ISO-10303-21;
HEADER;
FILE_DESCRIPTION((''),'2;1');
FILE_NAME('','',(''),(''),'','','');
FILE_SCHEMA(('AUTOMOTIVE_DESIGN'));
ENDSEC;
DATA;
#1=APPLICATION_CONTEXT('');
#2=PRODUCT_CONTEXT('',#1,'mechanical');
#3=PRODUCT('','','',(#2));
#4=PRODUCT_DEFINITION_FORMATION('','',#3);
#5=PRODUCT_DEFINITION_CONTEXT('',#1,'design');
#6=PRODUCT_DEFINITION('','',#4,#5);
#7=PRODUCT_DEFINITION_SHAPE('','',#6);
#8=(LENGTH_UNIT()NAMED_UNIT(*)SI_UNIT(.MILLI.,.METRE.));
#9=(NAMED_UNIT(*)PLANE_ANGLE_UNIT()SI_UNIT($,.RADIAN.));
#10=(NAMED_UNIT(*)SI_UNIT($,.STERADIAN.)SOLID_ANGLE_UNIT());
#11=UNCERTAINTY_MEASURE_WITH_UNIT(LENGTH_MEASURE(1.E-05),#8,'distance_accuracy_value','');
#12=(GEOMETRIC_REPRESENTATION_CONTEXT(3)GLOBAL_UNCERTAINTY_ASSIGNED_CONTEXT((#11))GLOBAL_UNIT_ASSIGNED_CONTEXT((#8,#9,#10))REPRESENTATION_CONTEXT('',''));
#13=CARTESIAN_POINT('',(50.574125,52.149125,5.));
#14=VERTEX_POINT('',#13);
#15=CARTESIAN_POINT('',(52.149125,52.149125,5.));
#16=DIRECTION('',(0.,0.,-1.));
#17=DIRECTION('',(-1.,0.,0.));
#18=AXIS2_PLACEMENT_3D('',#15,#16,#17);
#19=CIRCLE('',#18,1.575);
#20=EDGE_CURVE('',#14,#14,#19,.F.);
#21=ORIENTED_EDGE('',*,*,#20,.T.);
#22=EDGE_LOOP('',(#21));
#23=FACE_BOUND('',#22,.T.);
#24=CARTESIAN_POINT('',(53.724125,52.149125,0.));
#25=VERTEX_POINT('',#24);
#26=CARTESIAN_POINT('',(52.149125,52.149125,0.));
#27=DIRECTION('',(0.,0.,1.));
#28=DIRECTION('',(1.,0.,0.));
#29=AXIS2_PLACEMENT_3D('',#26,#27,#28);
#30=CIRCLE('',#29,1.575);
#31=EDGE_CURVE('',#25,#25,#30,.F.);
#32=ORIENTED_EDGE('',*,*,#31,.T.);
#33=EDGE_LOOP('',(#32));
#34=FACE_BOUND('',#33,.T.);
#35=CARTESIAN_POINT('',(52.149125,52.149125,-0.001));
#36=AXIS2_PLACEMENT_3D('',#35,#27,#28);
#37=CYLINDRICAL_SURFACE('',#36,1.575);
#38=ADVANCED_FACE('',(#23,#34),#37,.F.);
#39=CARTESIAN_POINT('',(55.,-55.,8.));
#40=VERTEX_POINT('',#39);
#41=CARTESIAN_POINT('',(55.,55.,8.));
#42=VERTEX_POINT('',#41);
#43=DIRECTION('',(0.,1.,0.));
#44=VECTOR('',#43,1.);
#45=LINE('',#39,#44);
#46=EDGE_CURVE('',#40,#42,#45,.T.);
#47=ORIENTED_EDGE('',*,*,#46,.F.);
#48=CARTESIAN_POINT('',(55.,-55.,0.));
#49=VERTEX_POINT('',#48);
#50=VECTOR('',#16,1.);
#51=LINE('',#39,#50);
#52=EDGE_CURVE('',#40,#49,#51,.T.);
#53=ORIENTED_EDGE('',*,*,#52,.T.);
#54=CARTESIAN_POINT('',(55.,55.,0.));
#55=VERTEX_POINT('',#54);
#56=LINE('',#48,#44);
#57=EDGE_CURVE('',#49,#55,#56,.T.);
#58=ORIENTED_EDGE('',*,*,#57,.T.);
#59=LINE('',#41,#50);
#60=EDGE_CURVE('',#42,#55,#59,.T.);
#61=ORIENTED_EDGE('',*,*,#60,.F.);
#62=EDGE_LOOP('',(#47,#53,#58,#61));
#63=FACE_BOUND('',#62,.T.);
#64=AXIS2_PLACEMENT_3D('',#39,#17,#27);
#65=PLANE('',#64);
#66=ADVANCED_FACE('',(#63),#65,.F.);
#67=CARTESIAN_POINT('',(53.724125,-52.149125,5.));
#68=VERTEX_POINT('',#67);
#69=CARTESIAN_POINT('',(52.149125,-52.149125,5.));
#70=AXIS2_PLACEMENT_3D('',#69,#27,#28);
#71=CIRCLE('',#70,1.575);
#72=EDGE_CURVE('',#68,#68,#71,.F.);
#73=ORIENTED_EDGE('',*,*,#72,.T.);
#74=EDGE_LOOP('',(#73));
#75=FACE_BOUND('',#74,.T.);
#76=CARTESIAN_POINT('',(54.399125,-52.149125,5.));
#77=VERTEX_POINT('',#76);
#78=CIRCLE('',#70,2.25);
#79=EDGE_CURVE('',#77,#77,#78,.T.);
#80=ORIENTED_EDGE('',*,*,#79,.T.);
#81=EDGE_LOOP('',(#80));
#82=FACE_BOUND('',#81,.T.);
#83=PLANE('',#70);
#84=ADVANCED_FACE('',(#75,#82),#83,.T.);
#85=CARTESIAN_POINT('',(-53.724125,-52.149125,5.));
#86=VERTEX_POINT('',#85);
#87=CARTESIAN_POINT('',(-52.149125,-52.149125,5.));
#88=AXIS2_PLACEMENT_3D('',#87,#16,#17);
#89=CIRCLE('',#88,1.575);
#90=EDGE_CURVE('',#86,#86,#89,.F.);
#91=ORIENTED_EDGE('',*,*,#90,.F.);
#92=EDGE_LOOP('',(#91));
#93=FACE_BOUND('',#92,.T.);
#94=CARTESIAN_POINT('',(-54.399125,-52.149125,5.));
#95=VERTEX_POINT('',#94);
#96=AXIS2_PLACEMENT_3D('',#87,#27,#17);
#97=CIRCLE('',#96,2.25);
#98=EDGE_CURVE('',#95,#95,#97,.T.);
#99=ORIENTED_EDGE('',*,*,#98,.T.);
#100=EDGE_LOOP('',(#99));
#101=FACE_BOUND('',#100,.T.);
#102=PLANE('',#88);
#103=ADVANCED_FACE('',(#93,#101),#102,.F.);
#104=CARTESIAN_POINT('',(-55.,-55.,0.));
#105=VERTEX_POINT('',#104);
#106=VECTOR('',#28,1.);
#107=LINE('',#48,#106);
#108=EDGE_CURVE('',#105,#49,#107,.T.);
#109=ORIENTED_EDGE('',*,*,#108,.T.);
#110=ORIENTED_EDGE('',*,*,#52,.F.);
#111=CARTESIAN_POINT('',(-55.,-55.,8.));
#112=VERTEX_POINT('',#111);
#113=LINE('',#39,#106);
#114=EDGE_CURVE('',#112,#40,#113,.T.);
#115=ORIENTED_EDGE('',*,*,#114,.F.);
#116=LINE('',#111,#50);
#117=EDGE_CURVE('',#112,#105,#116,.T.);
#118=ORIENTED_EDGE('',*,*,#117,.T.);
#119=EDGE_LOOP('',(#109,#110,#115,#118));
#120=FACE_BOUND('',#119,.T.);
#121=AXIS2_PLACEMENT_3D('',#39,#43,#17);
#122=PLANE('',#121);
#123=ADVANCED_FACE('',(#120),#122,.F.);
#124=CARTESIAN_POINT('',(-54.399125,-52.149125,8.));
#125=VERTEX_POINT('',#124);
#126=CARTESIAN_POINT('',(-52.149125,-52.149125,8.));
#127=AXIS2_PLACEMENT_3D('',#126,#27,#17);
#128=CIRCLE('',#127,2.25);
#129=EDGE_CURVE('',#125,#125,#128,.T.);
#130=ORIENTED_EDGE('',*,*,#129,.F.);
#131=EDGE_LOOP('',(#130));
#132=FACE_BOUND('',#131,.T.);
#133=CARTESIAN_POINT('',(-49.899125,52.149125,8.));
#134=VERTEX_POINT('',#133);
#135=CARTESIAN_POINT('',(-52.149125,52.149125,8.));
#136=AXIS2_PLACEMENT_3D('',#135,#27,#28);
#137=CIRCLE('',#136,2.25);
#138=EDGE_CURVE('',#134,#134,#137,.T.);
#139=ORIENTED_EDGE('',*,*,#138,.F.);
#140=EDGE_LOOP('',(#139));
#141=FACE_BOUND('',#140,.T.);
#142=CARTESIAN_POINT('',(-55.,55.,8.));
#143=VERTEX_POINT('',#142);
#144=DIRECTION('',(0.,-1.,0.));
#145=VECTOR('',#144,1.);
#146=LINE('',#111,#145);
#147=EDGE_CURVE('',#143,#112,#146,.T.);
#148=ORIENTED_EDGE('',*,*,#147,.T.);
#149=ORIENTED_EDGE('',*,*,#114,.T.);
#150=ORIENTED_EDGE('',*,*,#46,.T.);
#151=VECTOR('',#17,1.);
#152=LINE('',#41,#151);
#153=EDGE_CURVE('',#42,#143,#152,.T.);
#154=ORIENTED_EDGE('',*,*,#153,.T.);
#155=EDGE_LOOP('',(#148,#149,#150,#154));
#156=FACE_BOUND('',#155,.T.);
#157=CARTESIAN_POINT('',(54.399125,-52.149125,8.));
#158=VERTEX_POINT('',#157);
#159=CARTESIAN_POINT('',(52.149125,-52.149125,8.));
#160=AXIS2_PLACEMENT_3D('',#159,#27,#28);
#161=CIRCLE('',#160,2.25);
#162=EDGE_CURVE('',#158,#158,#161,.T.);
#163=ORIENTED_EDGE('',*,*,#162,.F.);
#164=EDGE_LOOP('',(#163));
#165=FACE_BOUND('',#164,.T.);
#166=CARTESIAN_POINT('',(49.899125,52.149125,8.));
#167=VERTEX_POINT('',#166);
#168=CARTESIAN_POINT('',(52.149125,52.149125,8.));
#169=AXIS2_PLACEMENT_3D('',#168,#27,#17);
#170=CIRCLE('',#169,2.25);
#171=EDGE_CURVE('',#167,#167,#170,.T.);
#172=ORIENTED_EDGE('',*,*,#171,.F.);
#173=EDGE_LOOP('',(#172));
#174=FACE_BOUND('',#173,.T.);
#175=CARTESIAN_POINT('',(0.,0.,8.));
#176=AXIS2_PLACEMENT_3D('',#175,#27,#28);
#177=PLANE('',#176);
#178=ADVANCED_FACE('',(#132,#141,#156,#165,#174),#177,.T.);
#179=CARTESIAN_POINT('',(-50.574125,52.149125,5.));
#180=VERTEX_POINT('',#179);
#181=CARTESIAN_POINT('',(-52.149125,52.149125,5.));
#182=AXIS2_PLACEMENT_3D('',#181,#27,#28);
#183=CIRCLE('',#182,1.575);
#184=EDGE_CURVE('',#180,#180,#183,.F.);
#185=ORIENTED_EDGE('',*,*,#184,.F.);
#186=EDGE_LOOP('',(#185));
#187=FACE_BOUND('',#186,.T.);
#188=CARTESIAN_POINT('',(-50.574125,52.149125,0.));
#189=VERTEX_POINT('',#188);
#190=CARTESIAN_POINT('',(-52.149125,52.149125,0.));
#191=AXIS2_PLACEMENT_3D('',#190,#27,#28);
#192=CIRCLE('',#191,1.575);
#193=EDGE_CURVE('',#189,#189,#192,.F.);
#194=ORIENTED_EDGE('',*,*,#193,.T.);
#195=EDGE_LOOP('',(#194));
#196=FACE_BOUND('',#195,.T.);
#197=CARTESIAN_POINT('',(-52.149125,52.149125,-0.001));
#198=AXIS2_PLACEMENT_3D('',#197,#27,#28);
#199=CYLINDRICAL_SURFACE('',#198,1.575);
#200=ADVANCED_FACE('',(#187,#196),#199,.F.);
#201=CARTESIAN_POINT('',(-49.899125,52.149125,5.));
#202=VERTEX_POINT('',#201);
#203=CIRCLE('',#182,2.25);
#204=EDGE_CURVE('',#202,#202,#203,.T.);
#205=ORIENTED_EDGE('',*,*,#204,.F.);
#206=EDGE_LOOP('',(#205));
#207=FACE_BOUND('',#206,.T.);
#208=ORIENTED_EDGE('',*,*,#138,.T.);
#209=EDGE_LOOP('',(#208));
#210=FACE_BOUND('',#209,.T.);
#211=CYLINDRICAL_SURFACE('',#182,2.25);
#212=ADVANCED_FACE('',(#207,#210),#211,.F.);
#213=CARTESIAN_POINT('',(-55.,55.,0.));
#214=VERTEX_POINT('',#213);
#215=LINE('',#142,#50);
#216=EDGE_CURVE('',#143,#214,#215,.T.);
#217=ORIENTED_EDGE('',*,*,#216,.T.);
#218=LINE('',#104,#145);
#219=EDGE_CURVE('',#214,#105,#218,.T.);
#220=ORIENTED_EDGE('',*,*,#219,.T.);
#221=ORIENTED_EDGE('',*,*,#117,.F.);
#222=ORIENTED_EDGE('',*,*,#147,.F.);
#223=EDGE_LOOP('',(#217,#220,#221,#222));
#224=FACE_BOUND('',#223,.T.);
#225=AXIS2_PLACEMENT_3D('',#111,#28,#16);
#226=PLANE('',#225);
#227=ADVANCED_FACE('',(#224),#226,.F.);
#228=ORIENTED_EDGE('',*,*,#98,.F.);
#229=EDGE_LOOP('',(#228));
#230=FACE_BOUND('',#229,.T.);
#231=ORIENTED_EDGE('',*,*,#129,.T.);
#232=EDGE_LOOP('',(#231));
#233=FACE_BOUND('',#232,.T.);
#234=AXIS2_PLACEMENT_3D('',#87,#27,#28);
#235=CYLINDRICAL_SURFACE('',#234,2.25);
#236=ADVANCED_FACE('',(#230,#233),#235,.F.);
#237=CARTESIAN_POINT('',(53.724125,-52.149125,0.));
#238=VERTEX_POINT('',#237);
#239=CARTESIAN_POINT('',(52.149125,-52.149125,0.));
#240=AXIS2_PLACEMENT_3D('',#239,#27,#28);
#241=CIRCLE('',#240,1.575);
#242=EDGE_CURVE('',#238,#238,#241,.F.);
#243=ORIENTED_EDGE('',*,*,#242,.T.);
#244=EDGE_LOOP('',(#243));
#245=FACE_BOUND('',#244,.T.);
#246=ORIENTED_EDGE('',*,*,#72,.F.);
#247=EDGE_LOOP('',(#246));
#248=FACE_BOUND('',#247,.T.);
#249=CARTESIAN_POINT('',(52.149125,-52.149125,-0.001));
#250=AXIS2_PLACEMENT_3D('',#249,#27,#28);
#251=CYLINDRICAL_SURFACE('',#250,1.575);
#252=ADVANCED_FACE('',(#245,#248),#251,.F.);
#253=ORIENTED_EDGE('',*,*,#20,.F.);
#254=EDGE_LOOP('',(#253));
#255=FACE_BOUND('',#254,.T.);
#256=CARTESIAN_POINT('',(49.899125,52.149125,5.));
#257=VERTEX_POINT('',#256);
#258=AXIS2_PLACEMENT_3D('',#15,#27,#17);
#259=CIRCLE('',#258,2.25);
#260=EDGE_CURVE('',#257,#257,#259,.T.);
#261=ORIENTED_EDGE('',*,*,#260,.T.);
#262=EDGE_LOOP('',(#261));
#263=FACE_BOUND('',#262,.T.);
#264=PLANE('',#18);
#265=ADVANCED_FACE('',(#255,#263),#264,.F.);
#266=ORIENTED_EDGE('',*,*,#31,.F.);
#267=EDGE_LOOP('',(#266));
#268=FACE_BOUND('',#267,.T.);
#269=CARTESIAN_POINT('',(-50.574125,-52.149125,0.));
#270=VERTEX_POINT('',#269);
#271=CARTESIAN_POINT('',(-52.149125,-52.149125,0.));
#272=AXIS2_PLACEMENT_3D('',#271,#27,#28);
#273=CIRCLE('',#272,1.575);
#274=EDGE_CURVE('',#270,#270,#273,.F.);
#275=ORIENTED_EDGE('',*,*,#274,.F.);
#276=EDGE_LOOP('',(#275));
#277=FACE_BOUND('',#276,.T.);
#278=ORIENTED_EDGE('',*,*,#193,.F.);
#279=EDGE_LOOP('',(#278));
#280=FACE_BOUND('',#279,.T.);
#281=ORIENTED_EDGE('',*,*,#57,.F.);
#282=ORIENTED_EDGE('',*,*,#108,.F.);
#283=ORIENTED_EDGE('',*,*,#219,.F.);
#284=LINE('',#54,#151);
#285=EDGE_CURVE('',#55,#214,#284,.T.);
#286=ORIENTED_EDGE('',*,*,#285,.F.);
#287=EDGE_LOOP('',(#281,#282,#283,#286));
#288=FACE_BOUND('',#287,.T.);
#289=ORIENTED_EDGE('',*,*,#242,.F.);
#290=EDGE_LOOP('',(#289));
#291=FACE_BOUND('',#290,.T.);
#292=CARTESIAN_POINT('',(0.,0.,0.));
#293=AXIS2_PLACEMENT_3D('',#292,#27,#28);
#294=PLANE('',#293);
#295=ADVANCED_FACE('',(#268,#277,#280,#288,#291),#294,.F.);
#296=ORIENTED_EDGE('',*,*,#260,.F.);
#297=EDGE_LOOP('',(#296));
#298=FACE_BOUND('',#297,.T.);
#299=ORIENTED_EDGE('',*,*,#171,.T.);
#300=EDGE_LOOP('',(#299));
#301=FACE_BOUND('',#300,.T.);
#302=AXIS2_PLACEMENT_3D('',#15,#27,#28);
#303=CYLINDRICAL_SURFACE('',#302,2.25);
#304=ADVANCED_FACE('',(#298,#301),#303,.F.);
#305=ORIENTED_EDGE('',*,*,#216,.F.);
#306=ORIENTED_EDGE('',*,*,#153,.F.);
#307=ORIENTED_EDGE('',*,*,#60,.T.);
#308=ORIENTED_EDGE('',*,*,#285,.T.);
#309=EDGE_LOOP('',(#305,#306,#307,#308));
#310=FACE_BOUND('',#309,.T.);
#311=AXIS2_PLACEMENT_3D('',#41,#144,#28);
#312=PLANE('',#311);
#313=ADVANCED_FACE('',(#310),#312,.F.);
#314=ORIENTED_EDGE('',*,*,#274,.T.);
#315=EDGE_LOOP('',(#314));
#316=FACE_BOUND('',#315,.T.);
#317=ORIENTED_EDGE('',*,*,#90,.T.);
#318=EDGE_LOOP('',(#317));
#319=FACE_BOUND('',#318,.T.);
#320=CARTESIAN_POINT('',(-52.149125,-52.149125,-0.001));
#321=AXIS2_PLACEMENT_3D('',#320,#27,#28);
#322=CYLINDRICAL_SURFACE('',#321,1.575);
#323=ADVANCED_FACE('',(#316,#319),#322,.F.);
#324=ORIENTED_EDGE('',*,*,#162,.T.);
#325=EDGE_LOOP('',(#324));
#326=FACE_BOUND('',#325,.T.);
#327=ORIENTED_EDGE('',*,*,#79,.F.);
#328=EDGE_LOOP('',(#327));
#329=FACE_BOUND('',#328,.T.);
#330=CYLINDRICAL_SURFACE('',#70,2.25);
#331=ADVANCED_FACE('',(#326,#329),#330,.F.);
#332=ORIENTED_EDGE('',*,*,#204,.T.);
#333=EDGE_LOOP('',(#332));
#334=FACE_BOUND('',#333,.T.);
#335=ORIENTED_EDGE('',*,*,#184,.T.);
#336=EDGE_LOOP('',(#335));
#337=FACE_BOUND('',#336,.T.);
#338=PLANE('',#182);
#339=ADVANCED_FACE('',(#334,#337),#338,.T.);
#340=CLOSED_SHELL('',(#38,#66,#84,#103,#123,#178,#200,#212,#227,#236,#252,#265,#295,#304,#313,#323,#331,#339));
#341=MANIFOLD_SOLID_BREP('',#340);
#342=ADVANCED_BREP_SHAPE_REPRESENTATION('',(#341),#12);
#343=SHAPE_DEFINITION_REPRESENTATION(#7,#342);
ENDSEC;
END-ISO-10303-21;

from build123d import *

# Parameters (mm, degrees)
SKETCH2_W           = 110
SKETCH2_H           = 110
BOSS_EXTRUDE1_DEPTH = 8
CUT_EXTRUDE1_REACH  = 80.192
SKETCH4_R           = 1.575
SKETCH5_R           = 2.25
CUT_EXTRUDE2_DEPTH  = 3


with BuildPart() as part:
    # Sketch2 → Boss-Extrude1 (new body)
    with BuildSketch(Plane.XY):
        Rectangle(SKETCH2_W, SKETCH2_H)
    extrude(amount=BOSS_EXTRUDE1_DEPTH)

    # Sketch4 → Cut-Extrude1 (cut, up to next)
    with BuildSketch(Plane.XY.offset(8), mode=Mode.PRIVATE) as cut_extrude1_sk1:
        with Locations((-52.149125113, 52.149125113)):
            Circle(SKETCH4_R)
    cut_extrude1_tool1 = extrude(cut_extrude1_sk1.sketch, amount=-CUT_EXTRUDE1_REACH, mode=Mode.PRIVATE) & part.part
    # Sketch4 → Cut-Extrude1 (cut, up to next)
    with BuildSketch(Plane.XY.offset(8), mode=Mode.PRIVATE) as cut_extrude1_sk2:
        with Locations((-52.149125113, -52.149125113)):
            Circle(SKETCH4_R)
    cut_extrude1_tool2 = extrude(cut_extrude1_sk2.sketch, amount=-CUT_EXTRUDE1_REACH, mode=Mode.PRIVATE) & part.part
    # Sketch4 → Cut-Extrude1 (cut, up to next)
    with BuildSketch(Plane.XY.offset(8), mode=Mode.PRIVATE) as cut_extrude1_sk3:
        with Locations((52.149125113, -52.149125113)):
            Circle(SKETCH4_R)
    cut_extrude1_tool3 = extrude(cut_extrude1_sk3.sketch, amount=-CUT_EXTRUDE1_REACH, mode=Mode.PRIVATE) & part.part
    # Sketch4 → Cut-Extrude1 (cut, up to next)
    with BuildSketch(Plane.XY.offset(8), mode=Mode.PRIVATE) as cut_extrude1_sk4:
        with Locations((52.149125113, 52.149125113)):
            Circle(SKETCH4_R)
    cut_extrude1_tool4 = extrude(cut_extrude1_sk4.sketch, amount=-CUT_EXTRUDE1_REACH, mode=Mode.PRIVATE) & part.part
    add(cut_extrude1_tool1.solids().sort_by_distance((-52.149125, 52.149125, 8))[0], mode=Mode.SUBTRACT)
    add(cut_extrude1_tool2.solids().sort_by_distance((-52.149125, -52.149125, 8))[0], mode=Mode.SUBTRACT)
    add(cut_extrude1_tool3.solids().sort_by_distance((52.149125, -52.149125, 8))[0], mode=Mode.SUBTRACT)
    add(cut_extrude1_tool4.solids().sort_by_distance((52.149125, 52.149125, 8))[0], mode=Mode.SUBTRACT)

    # Sketch5 → Cut-Extrude2 (cut)
    with BuildSketch(Plane.XY.offset(8)):
        with Locations((-52.149125113, 52.149125113)):
            Circle(SKETCH5_R)
        with Locations(Location((-52.149125113, -52.149125113, 0), (0, 0, 180))):
            Circle(SKETCH5_R)
        with Locations((52.149125113, -52.149125113)):
            Circle(SKETCH5_R)
        with Locations(Location((52.149125113, 52.149125113, 0), (0, 0, 180))):
            Circle(SKETCH5_R)
    extrude(amount=-CUT_EXTRUDE2_DEPTH, mode=Mode.SUBTRACT)


solid = part.part
